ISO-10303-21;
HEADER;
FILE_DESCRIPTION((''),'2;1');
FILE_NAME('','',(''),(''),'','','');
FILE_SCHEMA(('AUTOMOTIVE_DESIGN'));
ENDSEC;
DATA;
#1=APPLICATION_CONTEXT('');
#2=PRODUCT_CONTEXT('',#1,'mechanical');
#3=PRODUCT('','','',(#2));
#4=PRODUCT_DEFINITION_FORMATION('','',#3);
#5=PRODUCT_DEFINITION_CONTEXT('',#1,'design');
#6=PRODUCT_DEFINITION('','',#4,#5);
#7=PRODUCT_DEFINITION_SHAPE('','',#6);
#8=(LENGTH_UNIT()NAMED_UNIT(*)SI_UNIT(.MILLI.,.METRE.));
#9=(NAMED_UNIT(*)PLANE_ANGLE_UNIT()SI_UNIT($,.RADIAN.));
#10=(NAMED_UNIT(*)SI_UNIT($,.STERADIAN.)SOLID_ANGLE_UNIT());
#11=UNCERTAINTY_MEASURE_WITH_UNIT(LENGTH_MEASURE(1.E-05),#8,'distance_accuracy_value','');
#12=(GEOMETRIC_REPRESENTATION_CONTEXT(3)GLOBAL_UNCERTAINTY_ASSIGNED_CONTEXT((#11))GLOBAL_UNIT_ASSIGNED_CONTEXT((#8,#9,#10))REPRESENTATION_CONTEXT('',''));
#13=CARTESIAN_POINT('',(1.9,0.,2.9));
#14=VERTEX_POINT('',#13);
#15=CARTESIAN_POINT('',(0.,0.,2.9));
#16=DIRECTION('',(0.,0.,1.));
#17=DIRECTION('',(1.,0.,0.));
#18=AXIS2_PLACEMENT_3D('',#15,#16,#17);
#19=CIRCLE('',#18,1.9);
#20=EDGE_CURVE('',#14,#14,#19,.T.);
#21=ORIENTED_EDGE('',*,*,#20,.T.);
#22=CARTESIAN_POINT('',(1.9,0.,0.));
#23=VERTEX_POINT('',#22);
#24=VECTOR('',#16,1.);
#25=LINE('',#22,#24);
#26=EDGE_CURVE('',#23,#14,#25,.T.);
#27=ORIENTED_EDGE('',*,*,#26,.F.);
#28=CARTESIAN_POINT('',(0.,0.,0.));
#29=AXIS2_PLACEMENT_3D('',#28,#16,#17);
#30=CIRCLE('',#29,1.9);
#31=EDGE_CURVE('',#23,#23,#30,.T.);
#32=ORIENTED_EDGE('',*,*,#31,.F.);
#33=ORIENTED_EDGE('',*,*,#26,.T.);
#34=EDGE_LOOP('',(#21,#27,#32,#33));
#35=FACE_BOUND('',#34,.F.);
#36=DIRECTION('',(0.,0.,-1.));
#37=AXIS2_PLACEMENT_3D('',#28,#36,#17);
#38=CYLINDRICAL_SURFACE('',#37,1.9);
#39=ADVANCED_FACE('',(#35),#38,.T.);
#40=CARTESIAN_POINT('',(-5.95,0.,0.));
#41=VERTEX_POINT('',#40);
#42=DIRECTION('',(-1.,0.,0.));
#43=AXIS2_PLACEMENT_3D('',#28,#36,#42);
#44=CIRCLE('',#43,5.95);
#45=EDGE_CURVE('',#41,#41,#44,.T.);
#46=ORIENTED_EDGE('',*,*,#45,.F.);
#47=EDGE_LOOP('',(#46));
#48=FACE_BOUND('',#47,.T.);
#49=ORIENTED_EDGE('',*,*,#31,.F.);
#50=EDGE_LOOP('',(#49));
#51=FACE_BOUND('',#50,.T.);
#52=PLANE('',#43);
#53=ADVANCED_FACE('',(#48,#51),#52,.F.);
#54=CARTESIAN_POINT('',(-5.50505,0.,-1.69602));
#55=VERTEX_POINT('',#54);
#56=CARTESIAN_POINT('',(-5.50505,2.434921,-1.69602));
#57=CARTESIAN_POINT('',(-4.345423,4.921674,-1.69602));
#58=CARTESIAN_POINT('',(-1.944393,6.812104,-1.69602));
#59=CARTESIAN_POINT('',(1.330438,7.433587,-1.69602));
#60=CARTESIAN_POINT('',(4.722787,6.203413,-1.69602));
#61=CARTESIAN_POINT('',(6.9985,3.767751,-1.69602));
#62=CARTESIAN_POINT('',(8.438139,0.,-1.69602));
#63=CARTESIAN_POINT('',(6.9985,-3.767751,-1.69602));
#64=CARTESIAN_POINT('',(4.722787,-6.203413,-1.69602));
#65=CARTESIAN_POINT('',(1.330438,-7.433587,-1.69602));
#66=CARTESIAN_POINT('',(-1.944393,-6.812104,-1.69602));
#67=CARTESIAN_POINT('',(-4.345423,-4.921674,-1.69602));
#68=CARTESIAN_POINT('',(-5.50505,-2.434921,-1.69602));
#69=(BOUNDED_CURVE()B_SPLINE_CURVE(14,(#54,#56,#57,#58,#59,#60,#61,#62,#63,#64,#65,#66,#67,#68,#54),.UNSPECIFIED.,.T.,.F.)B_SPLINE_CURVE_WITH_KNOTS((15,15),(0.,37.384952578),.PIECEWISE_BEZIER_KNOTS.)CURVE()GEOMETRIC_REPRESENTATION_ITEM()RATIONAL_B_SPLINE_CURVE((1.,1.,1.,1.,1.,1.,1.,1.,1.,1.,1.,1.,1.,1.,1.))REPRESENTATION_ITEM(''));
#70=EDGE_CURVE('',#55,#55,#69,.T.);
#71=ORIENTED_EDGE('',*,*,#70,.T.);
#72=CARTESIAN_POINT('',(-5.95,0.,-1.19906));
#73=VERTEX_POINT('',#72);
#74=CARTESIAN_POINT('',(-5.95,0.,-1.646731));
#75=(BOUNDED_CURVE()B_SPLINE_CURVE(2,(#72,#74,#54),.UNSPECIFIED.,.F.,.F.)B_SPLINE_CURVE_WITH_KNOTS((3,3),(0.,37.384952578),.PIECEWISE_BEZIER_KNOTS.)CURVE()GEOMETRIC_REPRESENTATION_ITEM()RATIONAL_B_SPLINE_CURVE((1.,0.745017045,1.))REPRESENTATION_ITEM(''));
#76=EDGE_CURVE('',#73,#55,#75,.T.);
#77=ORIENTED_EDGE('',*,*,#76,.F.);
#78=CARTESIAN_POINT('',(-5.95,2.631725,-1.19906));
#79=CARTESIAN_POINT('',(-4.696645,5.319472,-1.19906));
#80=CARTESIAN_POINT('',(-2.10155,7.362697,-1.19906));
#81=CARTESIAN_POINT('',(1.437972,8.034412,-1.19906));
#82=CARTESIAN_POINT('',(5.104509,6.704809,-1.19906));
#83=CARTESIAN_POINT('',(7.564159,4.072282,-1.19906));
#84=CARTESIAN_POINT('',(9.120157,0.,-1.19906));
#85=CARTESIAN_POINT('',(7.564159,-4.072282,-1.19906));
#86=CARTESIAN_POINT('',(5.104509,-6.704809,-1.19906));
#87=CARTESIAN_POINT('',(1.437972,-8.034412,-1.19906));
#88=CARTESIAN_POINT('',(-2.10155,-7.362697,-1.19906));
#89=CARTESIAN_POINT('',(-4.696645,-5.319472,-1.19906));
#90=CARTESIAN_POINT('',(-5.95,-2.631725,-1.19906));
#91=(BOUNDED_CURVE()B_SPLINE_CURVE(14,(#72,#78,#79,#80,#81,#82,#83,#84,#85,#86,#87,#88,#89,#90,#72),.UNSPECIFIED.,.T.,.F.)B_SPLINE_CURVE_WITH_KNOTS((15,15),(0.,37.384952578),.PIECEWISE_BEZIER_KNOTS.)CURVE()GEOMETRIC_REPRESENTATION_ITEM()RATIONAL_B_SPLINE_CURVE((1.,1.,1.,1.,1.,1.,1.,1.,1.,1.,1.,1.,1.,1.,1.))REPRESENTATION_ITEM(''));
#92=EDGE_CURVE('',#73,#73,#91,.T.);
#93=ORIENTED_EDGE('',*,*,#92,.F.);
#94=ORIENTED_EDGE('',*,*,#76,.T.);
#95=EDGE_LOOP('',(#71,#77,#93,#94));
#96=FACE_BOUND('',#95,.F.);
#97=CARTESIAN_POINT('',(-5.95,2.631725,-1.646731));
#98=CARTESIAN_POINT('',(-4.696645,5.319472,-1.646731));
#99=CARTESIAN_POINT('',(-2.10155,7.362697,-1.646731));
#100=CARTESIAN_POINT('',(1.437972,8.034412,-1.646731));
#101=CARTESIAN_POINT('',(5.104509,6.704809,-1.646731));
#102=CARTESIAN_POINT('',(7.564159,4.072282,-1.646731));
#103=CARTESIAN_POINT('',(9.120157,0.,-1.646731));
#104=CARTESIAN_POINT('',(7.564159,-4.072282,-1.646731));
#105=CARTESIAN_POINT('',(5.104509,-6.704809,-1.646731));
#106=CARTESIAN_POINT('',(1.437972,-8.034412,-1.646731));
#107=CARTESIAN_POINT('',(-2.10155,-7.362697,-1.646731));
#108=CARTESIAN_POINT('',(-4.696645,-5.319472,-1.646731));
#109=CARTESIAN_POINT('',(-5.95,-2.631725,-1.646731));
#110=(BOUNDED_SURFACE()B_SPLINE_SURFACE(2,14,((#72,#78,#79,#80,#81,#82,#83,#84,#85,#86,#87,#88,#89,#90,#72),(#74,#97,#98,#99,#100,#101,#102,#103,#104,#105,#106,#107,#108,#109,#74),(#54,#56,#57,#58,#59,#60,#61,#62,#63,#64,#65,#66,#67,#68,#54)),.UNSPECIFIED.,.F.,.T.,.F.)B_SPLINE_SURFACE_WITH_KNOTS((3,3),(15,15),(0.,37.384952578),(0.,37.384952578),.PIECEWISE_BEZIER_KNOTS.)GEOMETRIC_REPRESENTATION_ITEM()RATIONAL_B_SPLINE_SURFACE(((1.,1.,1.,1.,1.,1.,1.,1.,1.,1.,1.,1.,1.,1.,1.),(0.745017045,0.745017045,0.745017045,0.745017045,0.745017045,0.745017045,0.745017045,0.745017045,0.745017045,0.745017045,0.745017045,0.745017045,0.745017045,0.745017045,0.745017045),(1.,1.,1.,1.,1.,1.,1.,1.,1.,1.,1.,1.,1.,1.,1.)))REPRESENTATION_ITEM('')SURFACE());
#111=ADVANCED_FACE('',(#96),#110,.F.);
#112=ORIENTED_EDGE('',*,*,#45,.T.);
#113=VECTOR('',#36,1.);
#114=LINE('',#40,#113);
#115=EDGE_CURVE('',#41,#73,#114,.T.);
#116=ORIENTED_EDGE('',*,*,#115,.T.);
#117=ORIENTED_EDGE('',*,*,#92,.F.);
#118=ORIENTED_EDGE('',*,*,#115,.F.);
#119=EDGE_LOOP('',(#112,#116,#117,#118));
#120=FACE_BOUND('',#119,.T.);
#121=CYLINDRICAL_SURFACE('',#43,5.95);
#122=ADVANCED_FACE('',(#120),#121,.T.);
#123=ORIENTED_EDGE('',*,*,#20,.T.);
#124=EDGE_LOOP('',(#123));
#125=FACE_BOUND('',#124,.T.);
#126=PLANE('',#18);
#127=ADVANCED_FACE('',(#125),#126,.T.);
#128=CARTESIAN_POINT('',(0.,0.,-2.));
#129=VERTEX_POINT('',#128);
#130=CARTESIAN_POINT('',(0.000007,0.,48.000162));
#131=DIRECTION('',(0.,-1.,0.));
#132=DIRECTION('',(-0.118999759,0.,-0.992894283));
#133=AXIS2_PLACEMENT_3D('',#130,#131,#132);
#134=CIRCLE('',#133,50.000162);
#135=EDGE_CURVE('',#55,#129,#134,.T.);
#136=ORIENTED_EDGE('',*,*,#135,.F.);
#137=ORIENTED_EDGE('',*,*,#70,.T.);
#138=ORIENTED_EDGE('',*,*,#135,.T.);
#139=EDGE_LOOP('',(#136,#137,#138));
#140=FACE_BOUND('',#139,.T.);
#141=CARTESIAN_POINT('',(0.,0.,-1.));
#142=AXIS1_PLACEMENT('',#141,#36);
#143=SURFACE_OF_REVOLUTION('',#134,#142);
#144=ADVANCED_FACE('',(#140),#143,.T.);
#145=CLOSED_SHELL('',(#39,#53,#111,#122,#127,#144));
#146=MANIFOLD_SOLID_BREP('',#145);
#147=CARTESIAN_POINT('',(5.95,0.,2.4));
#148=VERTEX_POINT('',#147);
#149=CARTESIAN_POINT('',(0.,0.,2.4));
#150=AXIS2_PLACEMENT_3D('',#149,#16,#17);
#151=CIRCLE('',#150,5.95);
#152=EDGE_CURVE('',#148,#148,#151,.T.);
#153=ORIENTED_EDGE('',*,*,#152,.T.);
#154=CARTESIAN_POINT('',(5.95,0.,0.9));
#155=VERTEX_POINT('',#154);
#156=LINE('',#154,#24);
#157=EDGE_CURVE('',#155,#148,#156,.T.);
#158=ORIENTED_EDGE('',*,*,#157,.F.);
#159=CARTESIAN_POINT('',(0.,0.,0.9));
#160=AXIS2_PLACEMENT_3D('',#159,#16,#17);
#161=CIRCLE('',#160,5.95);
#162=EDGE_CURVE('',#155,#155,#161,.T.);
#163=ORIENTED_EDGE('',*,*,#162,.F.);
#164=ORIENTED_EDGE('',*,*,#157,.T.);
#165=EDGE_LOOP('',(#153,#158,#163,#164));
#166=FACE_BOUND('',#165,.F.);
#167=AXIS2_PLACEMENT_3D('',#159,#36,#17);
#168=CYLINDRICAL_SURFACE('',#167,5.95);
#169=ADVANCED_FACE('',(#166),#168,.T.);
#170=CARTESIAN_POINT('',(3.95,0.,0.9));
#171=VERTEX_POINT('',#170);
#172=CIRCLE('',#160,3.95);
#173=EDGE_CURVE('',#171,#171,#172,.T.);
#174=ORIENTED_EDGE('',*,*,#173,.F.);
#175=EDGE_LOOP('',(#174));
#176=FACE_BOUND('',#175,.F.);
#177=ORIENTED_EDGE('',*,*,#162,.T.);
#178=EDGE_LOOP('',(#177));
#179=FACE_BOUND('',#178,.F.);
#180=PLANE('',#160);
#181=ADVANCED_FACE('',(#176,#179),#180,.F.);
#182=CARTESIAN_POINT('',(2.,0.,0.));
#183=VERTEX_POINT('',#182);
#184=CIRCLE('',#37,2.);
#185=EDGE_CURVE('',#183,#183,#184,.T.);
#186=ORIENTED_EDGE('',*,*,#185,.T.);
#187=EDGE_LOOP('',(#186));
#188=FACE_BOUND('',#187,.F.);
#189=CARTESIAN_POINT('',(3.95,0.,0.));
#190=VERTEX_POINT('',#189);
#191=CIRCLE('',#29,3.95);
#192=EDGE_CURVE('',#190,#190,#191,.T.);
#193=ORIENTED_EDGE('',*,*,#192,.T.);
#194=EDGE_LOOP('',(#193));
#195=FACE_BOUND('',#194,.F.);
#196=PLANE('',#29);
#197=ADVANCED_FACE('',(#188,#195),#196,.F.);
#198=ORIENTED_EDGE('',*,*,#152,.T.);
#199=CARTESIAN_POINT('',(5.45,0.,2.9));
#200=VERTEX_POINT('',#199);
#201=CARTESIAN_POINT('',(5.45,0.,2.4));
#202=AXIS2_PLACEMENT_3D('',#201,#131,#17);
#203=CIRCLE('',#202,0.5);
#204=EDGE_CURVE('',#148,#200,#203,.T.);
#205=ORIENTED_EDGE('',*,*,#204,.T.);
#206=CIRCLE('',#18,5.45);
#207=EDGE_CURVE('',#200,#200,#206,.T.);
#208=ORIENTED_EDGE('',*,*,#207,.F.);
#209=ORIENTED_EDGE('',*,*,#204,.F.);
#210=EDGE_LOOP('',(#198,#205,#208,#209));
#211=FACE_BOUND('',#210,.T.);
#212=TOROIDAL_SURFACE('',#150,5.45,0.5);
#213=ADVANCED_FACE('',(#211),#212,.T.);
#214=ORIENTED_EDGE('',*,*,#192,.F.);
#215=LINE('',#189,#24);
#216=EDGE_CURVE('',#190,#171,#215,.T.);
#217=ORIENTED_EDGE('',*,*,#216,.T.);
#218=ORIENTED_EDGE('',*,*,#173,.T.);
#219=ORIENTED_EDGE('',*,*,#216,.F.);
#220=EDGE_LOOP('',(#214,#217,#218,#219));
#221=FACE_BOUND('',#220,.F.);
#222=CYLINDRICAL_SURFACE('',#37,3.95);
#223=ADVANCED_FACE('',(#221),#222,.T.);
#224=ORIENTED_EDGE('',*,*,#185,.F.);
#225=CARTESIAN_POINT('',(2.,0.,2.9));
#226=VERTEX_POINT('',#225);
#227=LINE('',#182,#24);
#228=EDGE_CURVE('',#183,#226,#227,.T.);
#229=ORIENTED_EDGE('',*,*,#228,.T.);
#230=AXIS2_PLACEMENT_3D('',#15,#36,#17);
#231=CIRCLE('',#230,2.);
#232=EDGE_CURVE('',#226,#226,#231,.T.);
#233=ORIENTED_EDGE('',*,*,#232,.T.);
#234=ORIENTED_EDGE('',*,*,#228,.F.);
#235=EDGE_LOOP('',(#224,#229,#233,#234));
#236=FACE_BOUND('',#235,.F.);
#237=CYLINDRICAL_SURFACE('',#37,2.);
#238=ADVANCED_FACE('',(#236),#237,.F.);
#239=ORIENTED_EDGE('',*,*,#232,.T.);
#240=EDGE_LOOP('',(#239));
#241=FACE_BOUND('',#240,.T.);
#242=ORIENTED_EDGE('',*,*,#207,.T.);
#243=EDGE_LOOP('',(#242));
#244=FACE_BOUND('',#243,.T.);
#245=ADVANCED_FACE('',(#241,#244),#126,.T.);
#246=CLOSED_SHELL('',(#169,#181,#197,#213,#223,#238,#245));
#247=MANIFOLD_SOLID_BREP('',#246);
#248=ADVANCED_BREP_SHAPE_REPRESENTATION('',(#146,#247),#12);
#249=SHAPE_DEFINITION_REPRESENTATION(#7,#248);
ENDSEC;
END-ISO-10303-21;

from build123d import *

# Parameters (mm, degrees)
F0_R     = 3.95
F1_DEPTH = 0.9
F2_R     = 5.95
F2_R_2   = 3.95
F3_DEPTH = 2
F4_R     = 2
F5_DEPTH = 2.9
F8_R     = 1.9
F9_DEPTH = 2.9
F10_R    = 0.5
F10_2_R  = 0.5


with BuildPart() as f1:
    # F0 (on Top) → F1 (new body)
    with BuildSketch(Plane.XY):
        Circle(F0_R)
    extrude(amount=F1_DEPTH)

    # F2 (on face) → F3 (join)
    with BuildSketch(Plane.XY.offset(0.9)):
        Circle(F2_R)
        Circle(F2_R_2, mode=Mode.SUBTRACT)
        Circle(F2_R_2)
    extrude(amount=F3_DEPTH)

    # F4 (on face) → F5 (cut, through all)
    with BuildSketch(Plane(origin=(0, 0, 0), x_dir=(1, 0, 0), z_dir=(0, 0, -1))):
        Circle(F4_R)
    extrude(amount=-F5_DEPTH, mode=Mode.SUBTRACT)

    # F10
    f10_edges = [f1.edges().sort_by_distance(p)[0] for p in [
        (-5.95, 0, 2.9),
    ]]
    fillet(f10_edges, radius=F10_R)


with BuildPart() as f7:
    # F6 (on Front) → F7 (revolve)
    with BuildSketch(Plane.XZ):
        with BuildLine():
            Line((0, -2), (0, 0))
            Line((0, 0), (-5.95, 0))
            Line((-5.95, 0), (-5.95, -1.644713))
            ThreePointArc((-5.95, -1.644713), (-2.980299, -1.911099), (0, -2))
        make_face()
    revolve(axis=Axis((0, 0, -1), (0, 0, -1)))

    # F8 (on face) → F9 (join, through all)
    with BuildSketch(Plane.XY):
        Circle(F8_R)
    extrude(amount=F9_DEPTH)

    # F10#2
    f10_2_edges = [f7.edges().sort_by_distance(p)[0] for p in [
        (5.95, 0, -1.644713),
    ]]
    fillet(f10_2_edges, radius=F10_2_R)


solid = Compound([f1.part, f7.part])
